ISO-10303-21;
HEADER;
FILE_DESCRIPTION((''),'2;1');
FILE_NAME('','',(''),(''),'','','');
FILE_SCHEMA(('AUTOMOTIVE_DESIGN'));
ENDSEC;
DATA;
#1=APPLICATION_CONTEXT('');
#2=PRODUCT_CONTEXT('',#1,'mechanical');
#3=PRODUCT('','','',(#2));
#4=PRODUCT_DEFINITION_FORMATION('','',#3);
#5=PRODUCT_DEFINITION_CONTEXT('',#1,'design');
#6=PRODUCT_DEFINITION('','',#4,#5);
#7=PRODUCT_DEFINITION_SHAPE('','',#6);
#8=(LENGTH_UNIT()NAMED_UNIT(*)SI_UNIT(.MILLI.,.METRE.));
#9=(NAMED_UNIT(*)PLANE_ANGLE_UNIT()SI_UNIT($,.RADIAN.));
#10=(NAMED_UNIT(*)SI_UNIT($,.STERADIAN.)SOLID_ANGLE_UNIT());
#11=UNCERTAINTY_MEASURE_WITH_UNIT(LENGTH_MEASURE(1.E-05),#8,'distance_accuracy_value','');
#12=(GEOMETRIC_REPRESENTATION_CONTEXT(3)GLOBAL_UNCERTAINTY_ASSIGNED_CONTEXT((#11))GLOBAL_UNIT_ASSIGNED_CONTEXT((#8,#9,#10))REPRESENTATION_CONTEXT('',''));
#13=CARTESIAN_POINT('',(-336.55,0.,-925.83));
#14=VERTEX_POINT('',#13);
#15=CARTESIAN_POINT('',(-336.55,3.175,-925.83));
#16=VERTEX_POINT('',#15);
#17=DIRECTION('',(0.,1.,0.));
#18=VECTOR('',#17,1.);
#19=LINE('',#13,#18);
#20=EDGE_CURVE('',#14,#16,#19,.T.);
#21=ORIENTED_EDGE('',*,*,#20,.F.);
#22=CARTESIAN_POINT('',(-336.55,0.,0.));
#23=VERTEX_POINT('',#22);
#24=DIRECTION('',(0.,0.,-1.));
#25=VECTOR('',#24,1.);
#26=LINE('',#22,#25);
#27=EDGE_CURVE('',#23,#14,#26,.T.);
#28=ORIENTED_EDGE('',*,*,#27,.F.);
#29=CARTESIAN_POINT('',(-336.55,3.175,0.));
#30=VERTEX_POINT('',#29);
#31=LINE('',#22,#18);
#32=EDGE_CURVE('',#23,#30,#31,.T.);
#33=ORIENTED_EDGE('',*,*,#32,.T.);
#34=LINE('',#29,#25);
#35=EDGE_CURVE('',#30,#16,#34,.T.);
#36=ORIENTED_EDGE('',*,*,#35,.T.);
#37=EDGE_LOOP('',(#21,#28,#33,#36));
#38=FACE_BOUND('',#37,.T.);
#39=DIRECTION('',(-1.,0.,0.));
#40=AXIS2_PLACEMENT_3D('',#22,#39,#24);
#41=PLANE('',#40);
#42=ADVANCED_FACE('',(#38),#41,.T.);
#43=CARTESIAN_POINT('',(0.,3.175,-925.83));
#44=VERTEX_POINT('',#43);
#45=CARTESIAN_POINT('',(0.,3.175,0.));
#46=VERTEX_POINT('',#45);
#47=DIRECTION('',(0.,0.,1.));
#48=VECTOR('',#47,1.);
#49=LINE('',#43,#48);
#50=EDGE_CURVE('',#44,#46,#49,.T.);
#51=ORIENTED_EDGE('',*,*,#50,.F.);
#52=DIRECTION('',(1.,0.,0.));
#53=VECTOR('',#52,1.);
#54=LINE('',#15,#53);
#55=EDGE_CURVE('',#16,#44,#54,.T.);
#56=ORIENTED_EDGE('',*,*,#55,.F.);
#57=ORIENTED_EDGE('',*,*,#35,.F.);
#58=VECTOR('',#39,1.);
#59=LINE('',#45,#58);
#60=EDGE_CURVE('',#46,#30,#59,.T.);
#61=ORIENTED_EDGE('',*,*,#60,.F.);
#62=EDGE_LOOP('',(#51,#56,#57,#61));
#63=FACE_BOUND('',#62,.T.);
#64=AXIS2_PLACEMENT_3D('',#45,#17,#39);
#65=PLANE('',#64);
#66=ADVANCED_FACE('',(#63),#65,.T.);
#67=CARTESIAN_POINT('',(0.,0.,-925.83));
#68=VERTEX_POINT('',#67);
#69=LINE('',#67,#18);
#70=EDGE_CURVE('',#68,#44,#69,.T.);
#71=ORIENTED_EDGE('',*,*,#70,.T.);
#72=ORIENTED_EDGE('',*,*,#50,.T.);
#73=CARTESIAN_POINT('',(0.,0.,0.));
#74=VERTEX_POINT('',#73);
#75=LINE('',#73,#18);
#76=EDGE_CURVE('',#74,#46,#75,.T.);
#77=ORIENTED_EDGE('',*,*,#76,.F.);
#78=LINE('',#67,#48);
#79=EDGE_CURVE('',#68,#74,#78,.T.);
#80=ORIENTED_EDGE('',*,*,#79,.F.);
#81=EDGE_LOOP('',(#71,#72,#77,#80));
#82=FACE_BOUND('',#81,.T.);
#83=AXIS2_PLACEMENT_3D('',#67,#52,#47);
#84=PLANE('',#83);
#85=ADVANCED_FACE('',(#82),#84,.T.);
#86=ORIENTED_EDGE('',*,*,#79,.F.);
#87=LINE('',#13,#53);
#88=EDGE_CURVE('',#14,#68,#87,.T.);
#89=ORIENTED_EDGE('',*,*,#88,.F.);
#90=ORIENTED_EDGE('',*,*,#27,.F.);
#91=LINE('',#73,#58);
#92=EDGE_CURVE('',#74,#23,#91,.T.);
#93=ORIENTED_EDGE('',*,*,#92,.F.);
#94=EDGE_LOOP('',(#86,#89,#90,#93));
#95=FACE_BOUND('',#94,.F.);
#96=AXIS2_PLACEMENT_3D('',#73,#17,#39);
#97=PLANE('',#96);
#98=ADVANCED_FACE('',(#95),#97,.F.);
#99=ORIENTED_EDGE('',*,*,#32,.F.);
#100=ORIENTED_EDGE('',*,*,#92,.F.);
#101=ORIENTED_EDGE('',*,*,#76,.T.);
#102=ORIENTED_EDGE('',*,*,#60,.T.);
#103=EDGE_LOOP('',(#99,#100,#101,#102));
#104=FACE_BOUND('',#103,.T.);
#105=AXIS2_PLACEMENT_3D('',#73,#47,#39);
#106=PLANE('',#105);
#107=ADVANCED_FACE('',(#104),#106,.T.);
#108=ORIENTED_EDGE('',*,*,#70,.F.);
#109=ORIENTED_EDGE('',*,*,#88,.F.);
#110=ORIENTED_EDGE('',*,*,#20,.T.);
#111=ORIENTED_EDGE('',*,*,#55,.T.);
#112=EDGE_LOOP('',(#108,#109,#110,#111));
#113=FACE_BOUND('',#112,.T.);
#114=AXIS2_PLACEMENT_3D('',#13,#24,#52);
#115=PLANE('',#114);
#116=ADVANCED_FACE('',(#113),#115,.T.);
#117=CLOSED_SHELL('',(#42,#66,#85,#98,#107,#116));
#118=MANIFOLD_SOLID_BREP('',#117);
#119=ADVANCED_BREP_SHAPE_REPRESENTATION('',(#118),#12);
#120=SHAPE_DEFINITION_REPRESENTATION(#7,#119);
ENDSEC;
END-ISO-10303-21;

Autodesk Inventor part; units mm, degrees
ref_plane "YZ Plane" through (0, 0, 0) normal (1, 0, 0) x (0, 1, 0)
ref_plane "XZ Plane" through (0, 0, 0) normal (0, 1, 0) x (-1, 0, 0)
ref_plane "XY Plane" through (0, 0, 0) normal (0, 0, 1) x (1, 0, 0)
sketch "Sketch1" plane through (0, 0, 0) normal (0, 1, 0) x (-1, 0, 0)
  line L0 (0, 0) -> (336.55, 0)
  line L1 (336.55, 0) -> (336.55, -925.83)
  line L2 (336.55, -925.83) -> (0, -925.83)
  line L3 (0, -925.83) -> (0, 0)
  dimension "d0" = 336.55
  dimension "d1" = 925.83
extrude "Extrusion1" add sketch "Sketch1" along normal blind 3.175
properties part number "Shingle_With_Dimensions_13.25_x_36.45_Inches"
